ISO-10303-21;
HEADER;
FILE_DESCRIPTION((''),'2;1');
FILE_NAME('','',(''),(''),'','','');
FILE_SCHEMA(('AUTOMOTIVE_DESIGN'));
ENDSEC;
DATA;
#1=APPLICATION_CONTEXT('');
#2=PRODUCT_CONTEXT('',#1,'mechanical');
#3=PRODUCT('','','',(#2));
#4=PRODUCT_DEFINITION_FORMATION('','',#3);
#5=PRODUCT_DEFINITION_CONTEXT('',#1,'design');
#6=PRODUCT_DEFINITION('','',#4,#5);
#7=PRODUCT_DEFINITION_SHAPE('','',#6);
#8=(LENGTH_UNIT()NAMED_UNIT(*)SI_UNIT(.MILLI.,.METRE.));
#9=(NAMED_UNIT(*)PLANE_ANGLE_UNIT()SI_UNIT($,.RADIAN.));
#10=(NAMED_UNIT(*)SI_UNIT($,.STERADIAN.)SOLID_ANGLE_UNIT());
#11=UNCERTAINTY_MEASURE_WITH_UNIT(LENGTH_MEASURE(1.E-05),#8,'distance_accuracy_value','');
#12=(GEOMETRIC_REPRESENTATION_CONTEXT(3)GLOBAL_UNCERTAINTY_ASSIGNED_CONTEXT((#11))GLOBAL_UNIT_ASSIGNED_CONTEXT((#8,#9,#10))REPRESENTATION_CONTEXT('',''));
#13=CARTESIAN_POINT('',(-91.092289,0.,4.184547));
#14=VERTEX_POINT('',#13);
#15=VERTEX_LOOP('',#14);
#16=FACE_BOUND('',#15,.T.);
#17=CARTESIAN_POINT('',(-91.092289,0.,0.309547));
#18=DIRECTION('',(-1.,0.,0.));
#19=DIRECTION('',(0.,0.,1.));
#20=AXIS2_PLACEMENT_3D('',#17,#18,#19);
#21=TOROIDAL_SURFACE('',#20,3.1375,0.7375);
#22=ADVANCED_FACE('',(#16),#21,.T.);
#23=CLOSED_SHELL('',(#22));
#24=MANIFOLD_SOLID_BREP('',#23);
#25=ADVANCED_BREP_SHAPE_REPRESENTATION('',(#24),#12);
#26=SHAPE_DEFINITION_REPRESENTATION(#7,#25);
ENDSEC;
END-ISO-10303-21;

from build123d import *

# Parameters (mm, degrees)
SKETCH1_R = 0.7375


with BuildPart() as part:
    # Sketch1 → Revolve1 (revolve)
    with BuildSketch(Plane(origin=(0, 0, 0), x_dir=(1, 0, 0), z_dir=(0, 1, 0))):
        with Locations((-91.092288921, -3.447046529)):
            Circle(SKETCH1_R)
    revolve(axis=Axis((-95.444804608, 0, 0.309546529), (1, 0, 0)))


solid = part.part
